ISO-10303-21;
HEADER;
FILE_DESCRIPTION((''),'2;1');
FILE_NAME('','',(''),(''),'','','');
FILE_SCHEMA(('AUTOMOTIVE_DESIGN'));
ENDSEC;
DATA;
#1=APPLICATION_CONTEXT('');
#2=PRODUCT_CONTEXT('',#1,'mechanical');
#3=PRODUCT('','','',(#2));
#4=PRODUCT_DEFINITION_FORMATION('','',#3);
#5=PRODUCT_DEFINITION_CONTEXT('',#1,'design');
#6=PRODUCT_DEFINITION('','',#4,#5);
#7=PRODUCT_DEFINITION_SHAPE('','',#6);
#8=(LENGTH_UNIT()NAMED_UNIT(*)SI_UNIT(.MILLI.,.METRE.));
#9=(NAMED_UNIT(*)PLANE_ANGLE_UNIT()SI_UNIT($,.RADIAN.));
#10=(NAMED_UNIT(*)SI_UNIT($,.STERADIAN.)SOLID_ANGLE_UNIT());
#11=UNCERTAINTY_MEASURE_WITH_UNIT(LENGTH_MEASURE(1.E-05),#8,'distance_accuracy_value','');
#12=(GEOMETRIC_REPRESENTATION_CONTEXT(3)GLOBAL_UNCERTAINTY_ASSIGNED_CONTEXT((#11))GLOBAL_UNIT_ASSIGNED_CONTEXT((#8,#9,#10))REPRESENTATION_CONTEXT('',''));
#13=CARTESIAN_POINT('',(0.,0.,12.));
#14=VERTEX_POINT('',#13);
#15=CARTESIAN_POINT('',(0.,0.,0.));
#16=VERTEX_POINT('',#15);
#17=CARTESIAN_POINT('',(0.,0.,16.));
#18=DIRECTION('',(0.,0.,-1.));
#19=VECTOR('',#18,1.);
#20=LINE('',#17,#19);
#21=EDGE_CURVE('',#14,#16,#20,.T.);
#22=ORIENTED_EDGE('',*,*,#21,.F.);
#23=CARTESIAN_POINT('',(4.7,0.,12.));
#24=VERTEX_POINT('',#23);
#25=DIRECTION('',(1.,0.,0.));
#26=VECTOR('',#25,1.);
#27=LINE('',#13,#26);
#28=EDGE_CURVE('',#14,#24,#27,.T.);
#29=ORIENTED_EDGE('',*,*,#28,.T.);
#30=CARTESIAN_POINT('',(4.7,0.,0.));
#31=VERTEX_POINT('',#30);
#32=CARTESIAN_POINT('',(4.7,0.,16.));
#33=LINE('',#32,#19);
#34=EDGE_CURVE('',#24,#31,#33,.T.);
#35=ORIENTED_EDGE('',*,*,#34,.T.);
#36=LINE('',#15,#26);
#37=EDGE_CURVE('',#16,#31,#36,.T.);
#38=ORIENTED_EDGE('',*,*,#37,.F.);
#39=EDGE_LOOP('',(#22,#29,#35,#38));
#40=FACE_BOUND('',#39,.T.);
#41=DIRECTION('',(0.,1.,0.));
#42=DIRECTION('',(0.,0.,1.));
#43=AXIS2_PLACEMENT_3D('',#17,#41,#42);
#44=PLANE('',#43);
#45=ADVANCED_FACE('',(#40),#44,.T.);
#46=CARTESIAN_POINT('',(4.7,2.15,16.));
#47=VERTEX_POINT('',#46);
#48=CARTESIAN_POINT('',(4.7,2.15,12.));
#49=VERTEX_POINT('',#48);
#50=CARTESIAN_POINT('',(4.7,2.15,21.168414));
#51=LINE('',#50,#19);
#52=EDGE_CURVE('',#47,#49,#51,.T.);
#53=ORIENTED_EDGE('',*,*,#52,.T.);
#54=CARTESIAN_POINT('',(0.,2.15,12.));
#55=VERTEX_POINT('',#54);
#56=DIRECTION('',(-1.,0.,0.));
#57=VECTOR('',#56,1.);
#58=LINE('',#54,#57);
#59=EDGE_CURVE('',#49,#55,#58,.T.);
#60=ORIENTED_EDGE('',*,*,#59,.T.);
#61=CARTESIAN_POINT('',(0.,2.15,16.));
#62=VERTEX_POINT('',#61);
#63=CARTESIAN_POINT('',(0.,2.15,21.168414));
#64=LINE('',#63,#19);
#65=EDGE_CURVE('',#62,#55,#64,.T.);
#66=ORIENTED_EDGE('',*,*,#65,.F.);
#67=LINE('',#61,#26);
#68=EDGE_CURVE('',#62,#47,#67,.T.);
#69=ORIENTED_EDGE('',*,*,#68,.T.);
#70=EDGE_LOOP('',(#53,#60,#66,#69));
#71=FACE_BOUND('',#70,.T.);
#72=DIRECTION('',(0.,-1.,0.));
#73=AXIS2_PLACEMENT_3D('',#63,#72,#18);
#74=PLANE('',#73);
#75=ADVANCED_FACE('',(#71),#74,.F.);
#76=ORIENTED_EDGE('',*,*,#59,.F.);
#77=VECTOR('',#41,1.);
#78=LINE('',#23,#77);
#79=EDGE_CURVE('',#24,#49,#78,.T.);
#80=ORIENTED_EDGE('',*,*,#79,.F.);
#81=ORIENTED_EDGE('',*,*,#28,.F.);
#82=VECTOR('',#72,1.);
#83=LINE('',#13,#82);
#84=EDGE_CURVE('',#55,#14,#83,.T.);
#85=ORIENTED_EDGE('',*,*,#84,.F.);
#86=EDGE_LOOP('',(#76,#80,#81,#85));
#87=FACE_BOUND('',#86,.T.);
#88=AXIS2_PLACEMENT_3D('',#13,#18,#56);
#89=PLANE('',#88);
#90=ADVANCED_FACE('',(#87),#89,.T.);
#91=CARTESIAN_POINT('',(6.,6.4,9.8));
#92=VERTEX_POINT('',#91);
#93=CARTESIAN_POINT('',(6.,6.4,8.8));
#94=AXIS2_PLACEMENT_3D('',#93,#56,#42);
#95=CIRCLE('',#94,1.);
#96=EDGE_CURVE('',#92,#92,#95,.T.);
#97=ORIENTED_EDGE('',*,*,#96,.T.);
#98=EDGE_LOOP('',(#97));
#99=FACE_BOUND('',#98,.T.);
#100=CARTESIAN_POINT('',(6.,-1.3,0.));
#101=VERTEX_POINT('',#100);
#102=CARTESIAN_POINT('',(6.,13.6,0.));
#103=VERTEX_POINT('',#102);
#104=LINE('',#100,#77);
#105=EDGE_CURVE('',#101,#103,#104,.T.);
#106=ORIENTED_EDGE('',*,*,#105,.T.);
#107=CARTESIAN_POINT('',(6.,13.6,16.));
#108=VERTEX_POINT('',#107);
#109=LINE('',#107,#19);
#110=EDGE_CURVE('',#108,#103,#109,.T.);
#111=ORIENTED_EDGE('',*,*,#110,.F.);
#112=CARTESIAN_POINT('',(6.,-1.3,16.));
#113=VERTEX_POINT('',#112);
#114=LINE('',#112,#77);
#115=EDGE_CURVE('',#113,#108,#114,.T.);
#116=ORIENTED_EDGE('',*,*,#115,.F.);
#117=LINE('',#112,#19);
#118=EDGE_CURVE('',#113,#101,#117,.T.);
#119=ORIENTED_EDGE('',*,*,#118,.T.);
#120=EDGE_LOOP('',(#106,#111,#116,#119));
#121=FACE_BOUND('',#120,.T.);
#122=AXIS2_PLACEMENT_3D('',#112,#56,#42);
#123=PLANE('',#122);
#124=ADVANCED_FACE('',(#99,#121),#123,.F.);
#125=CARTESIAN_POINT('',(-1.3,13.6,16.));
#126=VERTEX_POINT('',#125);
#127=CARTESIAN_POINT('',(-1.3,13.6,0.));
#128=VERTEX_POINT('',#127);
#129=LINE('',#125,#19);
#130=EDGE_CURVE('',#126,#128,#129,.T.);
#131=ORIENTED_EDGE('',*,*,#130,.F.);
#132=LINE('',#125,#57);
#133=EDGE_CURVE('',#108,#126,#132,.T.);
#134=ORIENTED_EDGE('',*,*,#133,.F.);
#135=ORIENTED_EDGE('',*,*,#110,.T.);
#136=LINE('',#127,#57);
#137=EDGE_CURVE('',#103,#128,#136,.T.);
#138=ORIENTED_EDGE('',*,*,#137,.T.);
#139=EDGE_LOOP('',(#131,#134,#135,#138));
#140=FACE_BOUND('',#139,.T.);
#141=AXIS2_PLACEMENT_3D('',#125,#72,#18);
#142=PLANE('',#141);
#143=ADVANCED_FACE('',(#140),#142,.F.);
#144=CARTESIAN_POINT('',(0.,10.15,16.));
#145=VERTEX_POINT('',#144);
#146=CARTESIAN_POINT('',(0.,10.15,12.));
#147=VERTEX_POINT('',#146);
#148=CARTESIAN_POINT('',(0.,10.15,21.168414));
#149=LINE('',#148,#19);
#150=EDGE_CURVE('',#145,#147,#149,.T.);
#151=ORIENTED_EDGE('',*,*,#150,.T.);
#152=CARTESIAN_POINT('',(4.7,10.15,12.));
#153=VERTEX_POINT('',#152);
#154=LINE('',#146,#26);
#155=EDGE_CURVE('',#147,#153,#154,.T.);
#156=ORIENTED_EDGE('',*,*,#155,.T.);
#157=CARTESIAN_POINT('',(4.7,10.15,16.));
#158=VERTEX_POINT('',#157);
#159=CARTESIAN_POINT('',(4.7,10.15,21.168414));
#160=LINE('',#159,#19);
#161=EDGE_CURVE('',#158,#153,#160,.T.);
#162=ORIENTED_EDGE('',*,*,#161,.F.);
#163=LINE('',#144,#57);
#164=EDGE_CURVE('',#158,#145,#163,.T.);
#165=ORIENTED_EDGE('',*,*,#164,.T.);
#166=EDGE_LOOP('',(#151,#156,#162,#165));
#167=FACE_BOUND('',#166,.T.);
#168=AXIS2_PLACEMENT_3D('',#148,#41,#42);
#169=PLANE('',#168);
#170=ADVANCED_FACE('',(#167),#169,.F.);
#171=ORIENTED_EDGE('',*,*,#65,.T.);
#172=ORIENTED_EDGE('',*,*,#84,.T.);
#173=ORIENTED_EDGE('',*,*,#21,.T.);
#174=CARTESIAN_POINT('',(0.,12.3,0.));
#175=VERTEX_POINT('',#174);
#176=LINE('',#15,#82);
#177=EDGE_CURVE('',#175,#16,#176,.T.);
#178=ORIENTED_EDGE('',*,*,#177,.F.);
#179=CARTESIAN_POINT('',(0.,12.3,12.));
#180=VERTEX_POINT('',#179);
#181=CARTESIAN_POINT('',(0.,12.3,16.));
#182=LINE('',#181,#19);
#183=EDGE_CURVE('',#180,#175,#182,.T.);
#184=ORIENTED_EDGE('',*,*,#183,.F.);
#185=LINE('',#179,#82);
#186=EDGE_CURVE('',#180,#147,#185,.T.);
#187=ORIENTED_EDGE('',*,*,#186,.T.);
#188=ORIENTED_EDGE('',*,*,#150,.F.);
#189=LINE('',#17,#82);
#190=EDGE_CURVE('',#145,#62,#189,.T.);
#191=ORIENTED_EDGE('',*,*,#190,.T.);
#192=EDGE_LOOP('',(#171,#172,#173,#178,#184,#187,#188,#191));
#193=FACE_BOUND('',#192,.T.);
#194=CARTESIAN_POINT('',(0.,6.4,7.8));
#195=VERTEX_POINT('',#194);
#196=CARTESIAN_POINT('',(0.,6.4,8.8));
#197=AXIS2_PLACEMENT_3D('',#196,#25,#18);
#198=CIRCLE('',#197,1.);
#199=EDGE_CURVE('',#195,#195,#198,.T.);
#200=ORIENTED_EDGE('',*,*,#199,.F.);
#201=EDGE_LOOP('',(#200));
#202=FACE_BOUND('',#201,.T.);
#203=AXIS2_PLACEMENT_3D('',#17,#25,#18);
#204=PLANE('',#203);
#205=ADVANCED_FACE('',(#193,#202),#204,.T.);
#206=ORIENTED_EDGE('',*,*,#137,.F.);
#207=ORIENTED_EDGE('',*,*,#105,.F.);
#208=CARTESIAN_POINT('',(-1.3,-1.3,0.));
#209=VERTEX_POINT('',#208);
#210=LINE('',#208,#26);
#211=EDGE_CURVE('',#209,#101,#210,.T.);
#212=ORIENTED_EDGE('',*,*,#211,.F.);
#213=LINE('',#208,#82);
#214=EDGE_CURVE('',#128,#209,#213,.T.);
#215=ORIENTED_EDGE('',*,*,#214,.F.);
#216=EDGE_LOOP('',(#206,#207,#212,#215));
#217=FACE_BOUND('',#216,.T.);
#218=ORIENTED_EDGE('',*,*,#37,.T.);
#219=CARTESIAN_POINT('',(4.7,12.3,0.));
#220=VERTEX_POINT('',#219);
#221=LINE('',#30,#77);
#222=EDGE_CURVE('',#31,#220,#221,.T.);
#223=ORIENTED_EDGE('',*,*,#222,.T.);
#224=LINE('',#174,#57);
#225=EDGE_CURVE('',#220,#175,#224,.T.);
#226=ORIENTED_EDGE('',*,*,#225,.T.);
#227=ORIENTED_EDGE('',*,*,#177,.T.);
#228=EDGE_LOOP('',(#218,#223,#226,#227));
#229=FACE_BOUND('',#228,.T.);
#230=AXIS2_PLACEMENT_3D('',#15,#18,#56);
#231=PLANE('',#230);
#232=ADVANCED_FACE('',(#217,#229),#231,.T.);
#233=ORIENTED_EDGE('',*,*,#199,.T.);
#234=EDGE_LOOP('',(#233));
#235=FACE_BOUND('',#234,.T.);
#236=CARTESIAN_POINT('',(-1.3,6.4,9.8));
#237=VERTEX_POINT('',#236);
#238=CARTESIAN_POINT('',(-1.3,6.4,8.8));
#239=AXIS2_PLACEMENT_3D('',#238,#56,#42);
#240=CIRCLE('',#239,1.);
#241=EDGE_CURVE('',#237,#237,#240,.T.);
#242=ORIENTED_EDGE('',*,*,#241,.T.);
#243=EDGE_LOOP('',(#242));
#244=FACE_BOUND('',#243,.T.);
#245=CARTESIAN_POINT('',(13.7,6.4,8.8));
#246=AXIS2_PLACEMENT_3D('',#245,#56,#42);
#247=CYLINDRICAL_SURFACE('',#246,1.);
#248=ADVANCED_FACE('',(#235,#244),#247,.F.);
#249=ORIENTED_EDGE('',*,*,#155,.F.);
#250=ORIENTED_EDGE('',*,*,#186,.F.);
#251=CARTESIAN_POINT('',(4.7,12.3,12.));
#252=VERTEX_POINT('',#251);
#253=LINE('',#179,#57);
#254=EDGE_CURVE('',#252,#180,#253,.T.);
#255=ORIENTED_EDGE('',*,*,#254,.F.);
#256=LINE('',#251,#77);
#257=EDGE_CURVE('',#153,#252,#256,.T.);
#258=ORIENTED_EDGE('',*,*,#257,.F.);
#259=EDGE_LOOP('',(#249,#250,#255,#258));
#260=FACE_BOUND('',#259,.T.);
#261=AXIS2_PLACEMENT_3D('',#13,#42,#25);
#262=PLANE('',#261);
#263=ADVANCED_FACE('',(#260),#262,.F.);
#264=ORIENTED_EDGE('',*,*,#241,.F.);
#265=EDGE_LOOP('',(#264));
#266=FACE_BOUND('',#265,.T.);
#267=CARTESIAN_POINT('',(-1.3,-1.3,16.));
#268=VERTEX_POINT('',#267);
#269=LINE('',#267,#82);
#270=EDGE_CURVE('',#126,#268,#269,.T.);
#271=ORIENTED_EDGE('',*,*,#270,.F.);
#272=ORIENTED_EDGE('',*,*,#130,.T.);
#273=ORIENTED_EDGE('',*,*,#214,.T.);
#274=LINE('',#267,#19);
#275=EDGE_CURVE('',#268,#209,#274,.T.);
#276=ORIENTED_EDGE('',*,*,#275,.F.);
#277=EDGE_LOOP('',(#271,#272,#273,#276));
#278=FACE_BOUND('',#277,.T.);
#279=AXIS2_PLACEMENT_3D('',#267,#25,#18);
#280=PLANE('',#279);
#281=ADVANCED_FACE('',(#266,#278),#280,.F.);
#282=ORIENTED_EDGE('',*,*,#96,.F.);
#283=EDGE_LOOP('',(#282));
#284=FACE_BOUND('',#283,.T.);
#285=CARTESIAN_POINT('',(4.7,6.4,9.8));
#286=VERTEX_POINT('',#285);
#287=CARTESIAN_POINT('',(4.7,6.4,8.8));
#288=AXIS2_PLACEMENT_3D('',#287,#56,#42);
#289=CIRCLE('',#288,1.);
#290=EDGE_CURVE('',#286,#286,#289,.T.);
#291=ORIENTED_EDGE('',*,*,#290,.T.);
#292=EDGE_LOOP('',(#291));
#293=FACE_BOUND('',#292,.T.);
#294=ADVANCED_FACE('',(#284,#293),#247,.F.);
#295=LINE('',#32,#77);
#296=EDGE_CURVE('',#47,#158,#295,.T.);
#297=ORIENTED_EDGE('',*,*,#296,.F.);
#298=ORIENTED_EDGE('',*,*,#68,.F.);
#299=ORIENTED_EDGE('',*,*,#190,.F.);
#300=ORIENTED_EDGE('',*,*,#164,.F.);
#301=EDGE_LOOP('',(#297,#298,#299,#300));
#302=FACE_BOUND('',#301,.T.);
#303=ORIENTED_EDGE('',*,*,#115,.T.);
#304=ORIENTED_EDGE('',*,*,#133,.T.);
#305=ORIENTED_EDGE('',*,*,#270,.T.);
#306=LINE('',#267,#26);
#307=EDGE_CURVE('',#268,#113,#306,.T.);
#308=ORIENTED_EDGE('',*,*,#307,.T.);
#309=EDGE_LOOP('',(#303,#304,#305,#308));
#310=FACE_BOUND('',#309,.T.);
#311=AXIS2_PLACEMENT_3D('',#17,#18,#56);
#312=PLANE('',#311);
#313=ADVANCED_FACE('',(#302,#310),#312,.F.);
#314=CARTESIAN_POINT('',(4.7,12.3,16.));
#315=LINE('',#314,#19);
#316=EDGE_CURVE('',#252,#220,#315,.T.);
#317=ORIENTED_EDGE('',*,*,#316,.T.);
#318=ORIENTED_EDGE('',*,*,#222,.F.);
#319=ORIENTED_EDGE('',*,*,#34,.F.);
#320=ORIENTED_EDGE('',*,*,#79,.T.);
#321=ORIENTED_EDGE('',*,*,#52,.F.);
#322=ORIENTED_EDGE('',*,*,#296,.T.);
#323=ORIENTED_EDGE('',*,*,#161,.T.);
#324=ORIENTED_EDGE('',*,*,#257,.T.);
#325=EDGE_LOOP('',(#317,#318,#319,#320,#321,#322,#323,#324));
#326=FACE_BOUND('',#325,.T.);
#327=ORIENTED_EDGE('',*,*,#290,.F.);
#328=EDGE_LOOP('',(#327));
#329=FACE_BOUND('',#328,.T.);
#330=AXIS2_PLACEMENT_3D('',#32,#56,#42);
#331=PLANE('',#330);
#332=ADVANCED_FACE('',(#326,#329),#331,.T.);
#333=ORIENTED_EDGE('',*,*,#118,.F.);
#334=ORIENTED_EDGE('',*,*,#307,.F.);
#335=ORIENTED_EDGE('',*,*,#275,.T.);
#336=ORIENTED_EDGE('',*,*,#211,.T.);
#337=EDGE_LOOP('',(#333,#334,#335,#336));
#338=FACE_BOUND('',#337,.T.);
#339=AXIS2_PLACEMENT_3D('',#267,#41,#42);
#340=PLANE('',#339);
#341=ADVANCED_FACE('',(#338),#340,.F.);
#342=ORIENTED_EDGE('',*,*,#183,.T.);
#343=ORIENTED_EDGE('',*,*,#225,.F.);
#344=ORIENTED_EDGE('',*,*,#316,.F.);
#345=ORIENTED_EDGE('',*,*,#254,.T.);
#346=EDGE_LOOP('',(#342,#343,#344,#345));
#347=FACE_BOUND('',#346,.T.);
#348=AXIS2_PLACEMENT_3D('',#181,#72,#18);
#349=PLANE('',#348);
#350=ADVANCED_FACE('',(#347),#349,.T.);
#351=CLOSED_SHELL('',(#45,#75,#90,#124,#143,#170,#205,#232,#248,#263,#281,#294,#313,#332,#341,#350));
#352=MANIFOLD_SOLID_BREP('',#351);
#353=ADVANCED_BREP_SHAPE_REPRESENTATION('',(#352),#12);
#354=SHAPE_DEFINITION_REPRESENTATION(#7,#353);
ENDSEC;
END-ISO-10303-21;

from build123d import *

# Parameters (mm, degrees)
SKETCH1_W           = 7.3
SKETCH1_H           = 14.9
SKETCH1_W_2         = 4.7
SKETCH1_H_2         = 12.3
BOSS_EXTRUDE1_DEPTH = 16
BOSS_EXTRUDE2_START = 12
SKETCH4_W           = 4.7
SKETCH4_H           = 2.15
BOSS_EXTRUDE2_DEPTH = 4
SKETCH5_R           = 1
CUT_EXTRUDE1_DEPTH  = 15


with BuildPart() as part:
    # Sketch1 → Boss-Extrude1 (new body)
    with BuildSketch(Plane.XY):
        with Locations((2.35, 6.15)):
            Rectangle(SKETCH1_W, SKETCH1_H)
        with Locations((2.35, 6.15)):
            Rectangle(SKETCH1_W_2, SKETCH1_H_2, mode=Mode.SUBTRACT)
    extrude(amount=BOSS_EXTRUDE1_DEPTH)

    # Sketch4 → Boss-Extrude2 (add)
    with BuildSketch(Plane.XY.offset(BOSS_EXTRUDE2_START)):
        with Locations((2.35, 1.075)):
            Rectangle(SKETCH4_W, SKETCH4_H)
        with Locations((2.35, 11.225)):
            Rectangle(SKETCH4_W, SKETCH4_H)
    extrude(amount=BOSS_EXTRUDE2_DEPTH)

    # Sketch5 → Cut-Extrude1 (cut)
    with BuildSketch(Plane.ZY.offset(1.3)):
        with Locations((8.8, 6.4)):
            Circle(SKETCH5_R)
    extrude(amount=-CUT_EXTRUDE1_DEPTH, mode=Mode.SUBTRACT)


solid = part.part
